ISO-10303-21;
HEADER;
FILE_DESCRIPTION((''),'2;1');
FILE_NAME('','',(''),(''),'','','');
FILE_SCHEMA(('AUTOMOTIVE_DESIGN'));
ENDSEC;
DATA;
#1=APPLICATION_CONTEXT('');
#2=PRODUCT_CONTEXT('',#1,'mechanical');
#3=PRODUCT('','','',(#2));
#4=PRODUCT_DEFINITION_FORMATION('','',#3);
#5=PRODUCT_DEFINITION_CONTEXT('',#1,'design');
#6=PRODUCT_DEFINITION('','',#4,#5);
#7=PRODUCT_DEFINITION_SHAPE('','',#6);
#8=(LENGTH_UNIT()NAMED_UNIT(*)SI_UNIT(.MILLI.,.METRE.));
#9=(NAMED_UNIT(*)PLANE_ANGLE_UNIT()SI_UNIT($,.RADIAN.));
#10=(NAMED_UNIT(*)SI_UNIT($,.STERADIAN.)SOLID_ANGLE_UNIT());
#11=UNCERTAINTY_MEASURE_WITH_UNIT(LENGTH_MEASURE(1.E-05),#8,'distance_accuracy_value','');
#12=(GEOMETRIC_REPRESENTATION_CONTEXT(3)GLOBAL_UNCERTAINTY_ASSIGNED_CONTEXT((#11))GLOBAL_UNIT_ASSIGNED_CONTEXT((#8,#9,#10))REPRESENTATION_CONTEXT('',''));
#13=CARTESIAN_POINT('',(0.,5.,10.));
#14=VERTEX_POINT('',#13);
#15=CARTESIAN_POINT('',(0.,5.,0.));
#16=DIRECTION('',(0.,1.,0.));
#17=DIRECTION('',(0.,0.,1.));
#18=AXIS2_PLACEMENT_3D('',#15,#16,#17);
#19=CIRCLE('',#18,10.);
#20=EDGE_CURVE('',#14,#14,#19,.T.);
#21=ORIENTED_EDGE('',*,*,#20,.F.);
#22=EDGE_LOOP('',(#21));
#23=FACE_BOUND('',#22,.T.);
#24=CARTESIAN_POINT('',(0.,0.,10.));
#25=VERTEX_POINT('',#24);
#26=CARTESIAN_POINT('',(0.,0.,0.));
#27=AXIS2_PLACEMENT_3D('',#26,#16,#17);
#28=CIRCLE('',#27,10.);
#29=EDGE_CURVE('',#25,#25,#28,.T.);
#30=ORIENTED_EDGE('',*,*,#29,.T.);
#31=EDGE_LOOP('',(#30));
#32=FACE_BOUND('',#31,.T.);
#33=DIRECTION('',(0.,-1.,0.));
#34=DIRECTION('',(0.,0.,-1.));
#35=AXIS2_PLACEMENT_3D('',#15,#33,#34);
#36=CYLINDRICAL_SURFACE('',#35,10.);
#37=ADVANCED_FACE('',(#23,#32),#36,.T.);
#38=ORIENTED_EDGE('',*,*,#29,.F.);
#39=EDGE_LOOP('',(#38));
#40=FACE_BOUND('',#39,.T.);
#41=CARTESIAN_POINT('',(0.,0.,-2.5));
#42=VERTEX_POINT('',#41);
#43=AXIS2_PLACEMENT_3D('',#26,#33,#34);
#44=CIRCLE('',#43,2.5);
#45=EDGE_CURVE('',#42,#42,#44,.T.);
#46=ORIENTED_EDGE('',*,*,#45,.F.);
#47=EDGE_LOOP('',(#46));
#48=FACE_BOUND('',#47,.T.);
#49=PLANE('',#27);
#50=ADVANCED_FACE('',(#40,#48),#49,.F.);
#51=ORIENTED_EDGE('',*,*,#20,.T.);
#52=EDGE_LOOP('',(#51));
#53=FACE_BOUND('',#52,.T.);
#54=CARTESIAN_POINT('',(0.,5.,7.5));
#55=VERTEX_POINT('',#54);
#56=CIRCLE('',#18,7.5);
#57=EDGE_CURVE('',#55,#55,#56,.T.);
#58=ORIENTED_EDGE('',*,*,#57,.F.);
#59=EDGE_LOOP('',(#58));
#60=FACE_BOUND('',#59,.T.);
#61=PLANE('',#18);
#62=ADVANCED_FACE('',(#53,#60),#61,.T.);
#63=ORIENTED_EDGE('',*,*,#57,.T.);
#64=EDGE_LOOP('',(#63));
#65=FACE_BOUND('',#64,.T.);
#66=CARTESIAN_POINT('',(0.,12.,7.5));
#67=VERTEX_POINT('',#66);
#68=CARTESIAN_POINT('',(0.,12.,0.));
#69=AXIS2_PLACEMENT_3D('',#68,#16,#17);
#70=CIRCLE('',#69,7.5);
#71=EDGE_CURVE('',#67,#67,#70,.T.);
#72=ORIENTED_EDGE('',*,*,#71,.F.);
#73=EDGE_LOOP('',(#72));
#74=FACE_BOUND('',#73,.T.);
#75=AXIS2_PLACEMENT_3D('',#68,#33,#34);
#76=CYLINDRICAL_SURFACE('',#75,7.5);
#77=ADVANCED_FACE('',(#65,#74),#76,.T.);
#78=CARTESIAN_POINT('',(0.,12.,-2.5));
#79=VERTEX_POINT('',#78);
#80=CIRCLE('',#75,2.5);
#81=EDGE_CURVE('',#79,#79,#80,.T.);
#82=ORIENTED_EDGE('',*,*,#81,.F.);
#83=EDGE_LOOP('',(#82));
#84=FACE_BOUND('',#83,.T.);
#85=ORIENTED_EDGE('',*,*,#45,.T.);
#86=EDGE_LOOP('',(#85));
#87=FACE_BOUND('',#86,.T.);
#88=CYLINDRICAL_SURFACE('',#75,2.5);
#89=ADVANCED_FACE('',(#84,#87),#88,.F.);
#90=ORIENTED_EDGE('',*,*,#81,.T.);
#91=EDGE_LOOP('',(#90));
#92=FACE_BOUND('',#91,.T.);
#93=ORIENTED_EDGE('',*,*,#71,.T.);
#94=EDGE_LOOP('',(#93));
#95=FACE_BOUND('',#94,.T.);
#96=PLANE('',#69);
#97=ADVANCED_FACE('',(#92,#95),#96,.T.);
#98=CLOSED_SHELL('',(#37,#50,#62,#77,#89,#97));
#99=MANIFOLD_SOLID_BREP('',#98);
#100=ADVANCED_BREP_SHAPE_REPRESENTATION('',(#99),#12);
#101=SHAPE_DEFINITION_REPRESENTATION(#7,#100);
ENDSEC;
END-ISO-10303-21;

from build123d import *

# Parameters (mm, degrees)
SKETCH_1_R          = 10
EXTRUDE_1_DEPTH     = 5
SKETCH_2_R          = 7.5
EXTRUDE_2_DEPTH     = 7
SKETCH_3_R          = 2.5
CUT_EXTRUDE_1_DEPTH = 12


with BuildPart() as part:
    # 草图1 → 凸台-拉伸1 (new body)
    with BuildSketch(Plane(origin=(0, 0, 0), x_dir=(1, 0, 0), z_dir=(0, 1, 0))):
        with Locations(Location((0, 0, 0), (0, 0, 270))):
            Circle(SKETCH_1_R)
    extrude(amount=EXTRUDE_1_DEPTH)

    # 草图2 → 凸台-拉伸2 (add)
    with BuildSketch(Plane(origin=(0, 5, 0), x_dir=(1, 0, 0), z_dir=(0, 1, 0))):
        with Locations(Location((0, 0, 0), (0, 0, 270))):
            Circle(SKETCH_2_R)
    extrude(amount=EXTRUDE_2_DEPTH)

    # 草图3 → 切除-拉伸1 (cut)
    with BuildSketch(Plane.XZ):
        with Locations(Location((0, 0, 0), (0, 0, 270))):
            Circle(SKETCH_3_R)
    extrude(amount=-CUT_EXTRUDE_1_DEPTH, mode=Mode.SUBTRACT)


solid = part.part
